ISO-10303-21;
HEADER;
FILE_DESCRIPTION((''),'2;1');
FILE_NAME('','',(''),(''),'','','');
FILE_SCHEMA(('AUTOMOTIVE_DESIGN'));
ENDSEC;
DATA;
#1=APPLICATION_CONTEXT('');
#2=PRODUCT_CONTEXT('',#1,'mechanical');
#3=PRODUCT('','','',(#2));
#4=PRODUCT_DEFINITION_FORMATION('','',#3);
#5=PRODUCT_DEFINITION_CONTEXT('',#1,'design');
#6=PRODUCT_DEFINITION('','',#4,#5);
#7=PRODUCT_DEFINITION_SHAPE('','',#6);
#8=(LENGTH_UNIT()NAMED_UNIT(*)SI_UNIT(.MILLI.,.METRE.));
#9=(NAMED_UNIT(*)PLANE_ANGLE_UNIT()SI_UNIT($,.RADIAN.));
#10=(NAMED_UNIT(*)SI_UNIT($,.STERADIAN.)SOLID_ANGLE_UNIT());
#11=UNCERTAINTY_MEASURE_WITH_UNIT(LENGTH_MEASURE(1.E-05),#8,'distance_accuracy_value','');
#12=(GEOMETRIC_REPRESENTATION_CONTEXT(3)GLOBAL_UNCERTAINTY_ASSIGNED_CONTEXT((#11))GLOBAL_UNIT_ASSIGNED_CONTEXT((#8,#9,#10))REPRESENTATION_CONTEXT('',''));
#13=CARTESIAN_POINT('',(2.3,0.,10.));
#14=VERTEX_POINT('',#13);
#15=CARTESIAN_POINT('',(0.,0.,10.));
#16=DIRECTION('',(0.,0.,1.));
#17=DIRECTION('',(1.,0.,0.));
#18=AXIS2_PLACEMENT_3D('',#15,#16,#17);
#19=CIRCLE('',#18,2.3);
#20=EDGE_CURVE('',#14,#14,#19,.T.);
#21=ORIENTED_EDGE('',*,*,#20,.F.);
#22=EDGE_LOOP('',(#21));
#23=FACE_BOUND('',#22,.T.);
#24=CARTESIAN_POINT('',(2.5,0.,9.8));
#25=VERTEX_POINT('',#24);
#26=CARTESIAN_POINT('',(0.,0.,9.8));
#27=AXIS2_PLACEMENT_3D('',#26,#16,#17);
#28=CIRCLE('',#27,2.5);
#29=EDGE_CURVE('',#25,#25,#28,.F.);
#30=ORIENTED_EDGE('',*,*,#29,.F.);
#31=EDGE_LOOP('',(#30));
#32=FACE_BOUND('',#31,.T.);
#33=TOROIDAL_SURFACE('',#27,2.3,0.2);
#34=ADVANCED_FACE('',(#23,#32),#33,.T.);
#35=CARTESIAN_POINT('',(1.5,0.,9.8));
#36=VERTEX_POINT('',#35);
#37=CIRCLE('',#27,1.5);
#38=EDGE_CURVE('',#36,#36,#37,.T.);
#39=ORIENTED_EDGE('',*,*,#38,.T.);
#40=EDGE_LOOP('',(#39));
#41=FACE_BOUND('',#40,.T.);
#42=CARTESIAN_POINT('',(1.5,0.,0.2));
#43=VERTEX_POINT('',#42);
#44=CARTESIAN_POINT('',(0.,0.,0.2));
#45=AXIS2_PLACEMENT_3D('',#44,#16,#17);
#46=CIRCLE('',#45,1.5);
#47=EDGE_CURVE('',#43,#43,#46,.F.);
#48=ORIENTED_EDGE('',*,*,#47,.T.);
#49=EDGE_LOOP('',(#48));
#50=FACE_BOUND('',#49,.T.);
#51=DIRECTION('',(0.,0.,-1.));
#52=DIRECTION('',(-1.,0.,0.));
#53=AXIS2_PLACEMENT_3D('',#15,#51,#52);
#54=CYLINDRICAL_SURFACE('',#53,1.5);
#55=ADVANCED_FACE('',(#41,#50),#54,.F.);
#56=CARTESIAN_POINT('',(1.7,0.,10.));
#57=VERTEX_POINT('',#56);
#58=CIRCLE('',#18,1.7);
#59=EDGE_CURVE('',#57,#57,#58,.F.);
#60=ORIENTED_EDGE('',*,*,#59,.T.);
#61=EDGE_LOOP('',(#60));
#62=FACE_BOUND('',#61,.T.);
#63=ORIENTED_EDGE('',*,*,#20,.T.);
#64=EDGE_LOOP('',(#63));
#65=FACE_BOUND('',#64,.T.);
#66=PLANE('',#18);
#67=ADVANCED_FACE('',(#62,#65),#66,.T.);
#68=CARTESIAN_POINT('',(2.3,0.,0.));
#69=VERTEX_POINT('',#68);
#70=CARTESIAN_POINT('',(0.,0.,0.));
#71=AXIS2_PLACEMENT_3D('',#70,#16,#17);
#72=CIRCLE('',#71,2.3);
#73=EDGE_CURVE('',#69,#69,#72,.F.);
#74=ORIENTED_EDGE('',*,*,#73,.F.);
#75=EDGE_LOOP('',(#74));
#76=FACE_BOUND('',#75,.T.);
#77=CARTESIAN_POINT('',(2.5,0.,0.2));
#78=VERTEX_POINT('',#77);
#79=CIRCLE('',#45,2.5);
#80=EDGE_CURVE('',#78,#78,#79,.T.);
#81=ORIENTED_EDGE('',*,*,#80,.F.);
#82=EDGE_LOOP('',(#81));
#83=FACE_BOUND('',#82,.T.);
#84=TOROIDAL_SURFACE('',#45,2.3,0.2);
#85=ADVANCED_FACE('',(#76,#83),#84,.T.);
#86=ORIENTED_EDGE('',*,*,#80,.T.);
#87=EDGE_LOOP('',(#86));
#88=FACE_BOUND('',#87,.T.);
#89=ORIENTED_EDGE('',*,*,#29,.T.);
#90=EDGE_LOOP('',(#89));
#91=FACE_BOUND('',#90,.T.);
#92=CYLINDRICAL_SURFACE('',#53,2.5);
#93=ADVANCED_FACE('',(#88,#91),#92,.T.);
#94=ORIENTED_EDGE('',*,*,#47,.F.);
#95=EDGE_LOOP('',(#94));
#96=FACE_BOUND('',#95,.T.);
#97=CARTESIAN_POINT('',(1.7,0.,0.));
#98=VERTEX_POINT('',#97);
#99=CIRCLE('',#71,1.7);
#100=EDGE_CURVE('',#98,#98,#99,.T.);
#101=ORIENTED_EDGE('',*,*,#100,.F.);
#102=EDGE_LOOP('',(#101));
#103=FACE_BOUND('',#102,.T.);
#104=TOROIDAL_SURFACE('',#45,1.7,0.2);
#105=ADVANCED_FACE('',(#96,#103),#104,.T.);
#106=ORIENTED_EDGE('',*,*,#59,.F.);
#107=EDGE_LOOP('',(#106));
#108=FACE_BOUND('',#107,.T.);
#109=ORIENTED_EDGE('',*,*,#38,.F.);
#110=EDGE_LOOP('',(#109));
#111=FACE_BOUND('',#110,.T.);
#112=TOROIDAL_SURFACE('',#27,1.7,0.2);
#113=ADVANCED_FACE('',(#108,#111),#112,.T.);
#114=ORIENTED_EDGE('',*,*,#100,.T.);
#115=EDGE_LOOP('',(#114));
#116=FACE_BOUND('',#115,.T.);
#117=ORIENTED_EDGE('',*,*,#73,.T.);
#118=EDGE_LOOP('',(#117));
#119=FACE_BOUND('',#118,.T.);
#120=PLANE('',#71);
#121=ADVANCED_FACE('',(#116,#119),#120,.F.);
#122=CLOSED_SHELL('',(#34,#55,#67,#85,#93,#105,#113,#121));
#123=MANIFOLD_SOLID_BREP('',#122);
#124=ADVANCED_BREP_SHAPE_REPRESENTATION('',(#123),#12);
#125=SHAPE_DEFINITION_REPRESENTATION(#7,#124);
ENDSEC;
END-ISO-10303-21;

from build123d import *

# Parameters (mm, degrees)
SKETCH1_R           = 2.5
SKETCH1_R_2         = 1.5
BOSS_EXTRUDE1_DEPTH = 10
FILLET1_R           = 0.2


with BuildPart() as part:
    # Sketch1 → Boss-Extrude1 (new body)
    with BuildSketch(Plane.XY):
        Circle(SKETCH1_R)
        Circle(SKETCH1_R_2, mode=Mode.SUBTRACT)
    extrude(amount=BOSS_EXTRUDE1_DEPTH)

    # Fillet1
    fillet1_edges = [part.edges().sort_by_distance(p)[0] for p in [
        (-2.5, 0, 0),
        (-2.5, 0, 10),
        (-1.5, 0, 0),
        (-1.5, 0, 10),
    ]]
    fillet(fillet1_edges, radius=FILLET1_R)


solid = part.part
